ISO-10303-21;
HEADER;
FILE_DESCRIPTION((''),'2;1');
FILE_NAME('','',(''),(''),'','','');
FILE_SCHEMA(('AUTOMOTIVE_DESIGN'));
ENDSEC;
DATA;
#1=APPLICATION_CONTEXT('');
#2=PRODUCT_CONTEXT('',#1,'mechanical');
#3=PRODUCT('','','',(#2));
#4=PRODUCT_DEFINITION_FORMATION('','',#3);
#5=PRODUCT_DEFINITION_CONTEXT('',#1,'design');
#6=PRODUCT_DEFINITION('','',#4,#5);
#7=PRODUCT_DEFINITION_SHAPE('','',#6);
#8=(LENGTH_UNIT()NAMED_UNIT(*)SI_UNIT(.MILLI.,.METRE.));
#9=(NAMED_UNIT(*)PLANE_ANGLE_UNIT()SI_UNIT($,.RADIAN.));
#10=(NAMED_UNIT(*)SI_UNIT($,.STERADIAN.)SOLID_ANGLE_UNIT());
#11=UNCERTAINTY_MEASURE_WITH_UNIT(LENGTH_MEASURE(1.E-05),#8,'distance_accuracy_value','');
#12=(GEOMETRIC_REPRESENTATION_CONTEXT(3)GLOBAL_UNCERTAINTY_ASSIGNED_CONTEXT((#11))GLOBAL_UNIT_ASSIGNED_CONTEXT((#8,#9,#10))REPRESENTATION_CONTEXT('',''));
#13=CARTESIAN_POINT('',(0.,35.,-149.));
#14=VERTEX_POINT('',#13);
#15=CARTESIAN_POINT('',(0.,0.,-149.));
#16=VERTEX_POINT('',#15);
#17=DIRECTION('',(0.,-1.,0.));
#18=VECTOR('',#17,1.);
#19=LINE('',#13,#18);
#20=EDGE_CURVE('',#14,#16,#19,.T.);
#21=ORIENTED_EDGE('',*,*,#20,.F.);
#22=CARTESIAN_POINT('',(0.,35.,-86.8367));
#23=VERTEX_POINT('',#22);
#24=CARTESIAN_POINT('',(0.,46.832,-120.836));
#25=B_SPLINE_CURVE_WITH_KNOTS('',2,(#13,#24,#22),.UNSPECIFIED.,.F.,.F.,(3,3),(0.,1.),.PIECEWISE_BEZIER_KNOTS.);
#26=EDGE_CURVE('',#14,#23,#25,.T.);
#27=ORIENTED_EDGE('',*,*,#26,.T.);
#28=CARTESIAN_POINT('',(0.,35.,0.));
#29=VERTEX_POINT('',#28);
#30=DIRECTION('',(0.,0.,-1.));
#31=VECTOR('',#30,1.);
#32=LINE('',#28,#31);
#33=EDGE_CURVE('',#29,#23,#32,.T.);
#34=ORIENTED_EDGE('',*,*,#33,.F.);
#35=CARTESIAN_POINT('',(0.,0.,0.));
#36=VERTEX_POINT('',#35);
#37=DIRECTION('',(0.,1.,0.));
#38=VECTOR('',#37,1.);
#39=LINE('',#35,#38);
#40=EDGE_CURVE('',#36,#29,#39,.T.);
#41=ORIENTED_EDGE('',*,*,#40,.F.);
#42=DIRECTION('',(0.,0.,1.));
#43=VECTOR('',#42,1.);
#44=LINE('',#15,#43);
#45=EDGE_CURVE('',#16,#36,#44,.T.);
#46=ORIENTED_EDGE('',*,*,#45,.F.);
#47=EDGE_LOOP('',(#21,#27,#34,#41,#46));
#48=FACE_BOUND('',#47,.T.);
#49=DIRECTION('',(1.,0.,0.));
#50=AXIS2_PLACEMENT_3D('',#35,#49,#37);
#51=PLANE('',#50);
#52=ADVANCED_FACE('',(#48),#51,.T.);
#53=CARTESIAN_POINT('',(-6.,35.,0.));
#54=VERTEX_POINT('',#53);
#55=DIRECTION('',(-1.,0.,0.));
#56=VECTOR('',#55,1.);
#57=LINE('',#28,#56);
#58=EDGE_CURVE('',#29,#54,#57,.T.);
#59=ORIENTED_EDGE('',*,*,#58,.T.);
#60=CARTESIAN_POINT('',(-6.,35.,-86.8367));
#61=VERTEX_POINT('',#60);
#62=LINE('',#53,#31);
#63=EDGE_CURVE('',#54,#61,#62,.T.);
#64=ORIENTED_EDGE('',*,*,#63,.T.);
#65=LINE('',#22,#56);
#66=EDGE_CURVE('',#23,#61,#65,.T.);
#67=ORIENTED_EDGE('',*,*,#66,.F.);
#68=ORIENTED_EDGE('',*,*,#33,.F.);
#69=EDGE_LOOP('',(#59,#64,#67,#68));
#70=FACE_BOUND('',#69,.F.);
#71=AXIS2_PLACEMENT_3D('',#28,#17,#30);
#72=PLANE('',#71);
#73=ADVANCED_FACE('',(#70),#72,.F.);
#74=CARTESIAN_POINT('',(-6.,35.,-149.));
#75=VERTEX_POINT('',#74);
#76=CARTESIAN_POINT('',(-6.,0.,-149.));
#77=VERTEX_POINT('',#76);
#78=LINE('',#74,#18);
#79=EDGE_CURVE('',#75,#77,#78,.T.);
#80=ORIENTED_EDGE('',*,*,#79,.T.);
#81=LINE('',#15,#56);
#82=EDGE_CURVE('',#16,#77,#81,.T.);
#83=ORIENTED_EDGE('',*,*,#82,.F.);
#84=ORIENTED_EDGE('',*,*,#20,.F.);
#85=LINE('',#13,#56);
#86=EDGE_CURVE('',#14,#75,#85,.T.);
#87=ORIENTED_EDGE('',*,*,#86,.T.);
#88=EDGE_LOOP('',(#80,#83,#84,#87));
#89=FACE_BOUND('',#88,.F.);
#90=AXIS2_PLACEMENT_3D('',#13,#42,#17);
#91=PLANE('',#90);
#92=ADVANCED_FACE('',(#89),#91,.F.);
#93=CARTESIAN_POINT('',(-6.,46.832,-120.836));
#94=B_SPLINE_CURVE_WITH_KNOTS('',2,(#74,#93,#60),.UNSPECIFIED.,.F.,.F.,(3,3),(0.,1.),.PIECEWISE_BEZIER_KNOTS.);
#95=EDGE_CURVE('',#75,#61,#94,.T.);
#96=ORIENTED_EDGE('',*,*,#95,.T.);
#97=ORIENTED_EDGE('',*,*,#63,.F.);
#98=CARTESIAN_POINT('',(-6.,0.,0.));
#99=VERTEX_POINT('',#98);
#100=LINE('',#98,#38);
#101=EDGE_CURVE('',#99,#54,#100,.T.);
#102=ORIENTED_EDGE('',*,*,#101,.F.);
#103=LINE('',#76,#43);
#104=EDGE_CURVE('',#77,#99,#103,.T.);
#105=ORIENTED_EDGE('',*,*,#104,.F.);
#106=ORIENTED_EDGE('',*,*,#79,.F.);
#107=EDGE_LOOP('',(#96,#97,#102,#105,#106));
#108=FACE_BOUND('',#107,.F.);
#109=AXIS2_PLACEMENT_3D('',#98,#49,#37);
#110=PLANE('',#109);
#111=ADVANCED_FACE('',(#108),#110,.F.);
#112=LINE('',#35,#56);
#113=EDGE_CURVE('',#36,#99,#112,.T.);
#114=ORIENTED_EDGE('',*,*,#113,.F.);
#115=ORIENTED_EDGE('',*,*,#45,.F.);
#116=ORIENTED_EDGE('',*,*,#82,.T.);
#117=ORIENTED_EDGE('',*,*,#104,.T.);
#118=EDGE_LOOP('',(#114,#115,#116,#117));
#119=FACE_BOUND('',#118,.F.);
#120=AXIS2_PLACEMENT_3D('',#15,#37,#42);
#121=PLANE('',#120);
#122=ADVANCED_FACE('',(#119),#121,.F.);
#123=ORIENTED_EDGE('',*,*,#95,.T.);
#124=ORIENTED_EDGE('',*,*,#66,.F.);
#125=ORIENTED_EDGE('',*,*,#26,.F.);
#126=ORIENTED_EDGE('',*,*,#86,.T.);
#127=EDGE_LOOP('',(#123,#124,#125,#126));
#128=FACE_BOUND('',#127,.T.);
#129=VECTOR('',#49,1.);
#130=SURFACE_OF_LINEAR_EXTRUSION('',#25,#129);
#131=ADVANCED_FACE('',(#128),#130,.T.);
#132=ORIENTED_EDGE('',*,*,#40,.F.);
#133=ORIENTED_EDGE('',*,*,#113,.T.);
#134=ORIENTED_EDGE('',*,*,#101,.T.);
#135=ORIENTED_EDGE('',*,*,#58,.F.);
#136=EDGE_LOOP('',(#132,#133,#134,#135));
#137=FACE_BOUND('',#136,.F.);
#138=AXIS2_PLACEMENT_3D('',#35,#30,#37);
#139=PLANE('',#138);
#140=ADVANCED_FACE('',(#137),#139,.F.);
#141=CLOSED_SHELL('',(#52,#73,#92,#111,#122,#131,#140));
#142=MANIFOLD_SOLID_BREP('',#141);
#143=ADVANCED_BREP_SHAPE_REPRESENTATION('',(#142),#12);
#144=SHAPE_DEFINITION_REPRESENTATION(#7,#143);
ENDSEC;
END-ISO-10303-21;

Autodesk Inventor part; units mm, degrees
ref_plane "YZ Plane" through (0, 0, 0) normal (1, 0, 0) x (0, 1, 0)
ref_plane "XZ Plane" through (0, 0, 0) normal (0, 1, 0) x (-1, 0, 0)
ref_plane "XY Plane" through (0, 0, 0) normal (0, 0, 1) x (1, 0, 0)
sketch "Sketch1" plane through (0, 0, 0) normal (1, 0, 0) x (0, 1, 0)
  line L0 (0, 0) -> (35, 0)
  line L1 (35, 0) -> (35, -86.8367)
  line L2 (35, -149) -> (0, -149)
  line L3 (0, -149) -> (0, 0)
  spline S0 degree 2 poles (35, -149) (46.832, -120.836) (35, -86.8367) knots 0 0 0 1 1 1
  point P0 (0, -76.4686)
  point P1 (40.9046, -120.7367)
  dimension "d0" = 35
  dimension "d1" = 149
extrude "Extrusion1" add sketch "Sketch1" against normal blind 6
properties part number "Inboard Wing Brace"
